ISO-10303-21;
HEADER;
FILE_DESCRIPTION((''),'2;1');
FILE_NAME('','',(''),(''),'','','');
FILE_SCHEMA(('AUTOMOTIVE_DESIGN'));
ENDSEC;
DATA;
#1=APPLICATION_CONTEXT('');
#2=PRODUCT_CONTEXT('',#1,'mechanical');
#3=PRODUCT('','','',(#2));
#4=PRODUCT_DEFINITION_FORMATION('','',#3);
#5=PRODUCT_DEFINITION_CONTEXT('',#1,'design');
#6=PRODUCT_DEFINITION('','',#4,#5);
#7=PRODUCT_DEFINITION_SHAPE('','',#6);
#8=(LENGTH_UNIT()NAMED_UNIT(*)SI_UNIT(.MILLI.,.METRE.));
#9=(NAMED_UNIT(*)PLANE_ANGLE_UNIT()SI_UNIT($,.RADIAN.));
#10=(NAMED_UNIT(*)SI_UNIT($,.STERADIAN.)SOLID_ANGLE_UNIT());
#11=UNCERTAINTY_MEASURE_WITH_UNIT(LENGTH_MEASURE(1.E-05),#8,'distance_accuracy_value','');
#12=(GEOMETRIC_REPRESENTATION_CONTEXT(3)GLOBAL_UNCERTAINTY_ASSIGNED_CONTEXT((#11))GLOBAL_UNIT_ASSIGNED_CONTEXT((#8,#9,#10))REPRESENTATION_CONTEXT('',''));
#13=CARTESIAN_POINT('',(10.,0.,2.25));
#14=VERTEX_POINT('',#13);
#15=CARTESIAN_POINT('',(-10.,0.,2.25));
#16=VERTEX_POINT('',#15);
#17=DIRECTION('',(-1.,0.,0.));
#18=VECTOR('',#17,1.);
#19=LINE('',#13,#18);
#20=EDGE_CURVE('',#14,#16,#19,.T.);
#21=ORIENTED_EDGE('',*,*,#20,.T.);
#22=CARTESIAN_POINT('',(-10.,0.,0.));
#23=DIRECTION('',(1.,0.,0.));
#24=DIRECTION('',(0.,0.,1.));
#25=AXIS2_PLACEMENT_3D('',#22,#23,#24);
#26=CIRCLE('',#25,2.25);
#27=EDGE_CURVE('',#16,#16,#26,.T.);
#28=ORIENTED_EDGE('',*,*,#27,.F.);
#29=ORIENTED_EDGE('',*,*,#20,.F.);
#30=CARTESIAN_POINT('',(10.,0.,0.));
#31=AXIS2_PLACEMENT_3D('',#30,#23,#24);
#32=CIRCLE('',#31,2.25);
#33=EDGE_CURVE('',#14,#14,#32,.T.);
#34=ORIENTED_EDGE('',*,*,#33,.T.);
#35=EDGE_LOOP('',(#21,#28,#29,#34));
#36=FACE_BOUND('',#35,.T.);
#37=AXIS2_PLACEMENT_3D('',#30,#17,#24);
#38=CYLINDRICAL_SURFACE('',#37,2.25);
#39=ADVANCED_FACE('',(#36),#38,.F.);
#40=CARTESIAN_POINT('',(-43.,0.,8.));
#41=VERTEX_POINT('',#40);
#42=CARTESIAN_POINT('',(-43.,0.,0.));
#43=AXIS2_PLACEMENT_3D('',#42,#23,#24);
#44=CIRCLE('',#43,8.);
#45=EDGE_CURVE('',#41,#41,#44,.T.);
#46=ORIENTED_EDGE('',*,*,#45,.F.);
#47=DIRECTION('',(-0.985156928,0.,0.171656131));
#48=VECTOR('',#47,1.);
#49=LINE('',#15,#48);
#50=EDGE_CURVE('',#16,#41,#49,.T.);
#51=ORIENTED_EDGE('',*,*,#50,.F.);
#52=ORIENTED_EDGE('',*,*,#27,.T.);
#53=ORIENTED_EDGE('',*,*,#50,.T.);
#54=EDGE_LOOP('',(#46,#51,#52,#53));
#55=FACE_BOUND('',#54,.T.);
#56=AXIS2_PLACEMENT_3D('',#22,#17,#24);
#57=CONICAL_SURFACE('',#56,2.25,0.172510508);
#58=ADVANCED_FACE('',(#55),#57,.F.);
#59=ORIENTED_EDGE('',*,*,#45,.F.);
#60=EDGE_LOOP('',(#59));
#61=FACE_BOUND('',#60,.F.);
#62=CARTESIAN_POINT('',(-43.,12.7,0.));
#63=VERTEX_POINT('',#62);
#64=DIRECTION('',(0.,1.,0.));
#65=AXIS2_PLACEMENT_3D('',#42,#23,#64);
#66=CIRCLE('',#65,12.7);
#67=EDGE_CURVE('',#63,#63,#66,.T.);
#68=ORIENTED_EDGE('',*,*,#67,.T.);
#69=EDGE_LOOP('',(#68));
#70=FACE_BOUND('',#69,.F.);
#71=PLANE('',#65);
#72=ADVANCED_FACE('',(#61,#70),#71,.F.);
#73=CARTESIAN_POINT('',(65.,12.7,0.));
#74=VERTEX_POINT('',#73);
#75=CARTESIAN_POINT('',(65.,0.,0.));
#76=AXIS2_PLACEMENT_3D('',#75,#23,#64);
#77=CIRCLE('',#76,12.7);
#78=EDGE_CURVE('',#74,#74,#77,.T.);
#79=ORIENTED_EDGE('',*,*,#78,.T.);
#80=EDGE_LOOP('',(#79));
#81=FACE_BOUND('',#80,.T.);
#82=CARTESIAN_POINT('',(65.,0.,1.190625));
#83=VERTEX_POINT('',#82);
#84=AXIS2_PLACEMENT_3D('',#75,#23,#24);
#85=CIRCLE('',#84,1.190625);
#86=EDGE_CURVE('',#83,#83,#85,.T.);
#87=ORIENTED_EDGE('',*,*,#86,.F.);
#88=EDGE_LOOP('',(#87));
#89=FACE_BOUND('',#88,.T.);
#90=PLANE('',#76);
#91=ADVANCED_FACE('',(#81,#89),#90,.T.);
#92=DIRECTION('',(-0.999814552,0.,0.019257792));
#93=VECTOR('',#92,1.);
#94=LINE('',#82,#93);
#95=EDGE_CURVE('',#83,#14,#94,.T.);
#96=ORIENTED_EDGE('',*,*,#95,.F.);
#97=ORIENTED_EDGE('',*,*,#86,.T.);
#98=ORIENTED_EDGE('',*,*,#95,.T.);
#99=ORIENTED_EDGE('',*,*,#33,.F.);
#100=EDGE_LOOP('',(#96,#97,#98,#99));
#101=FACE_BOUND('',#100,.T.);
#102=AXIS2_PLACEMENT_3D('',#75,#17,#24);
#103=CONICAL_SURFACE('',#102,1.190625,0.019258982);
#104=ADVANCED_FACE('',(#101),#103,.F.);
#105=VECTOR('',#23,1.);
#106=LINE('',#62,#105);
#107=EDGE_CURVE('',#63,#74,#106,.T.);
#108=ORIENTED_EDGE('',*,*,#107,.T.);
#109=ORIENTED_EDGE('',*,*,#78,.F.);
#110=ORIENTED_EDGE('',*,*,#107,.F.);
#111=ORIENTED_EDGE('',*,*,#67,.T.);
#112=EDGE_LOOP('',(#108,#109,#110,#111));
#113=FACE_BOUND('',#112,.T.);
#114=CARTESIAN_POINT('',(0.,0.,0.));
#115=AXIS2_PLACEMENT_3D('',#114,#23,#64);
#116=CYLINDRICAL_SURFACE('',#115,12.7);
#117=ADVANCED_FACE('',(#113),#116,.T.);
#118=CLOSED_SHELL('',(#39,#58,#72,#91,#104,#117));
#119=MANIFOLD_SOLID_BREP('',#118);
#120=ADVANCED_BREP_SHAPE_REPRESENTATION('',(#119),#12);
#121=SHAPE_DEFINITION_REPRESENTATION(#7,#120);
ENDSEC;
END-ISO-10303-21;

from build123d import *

# Parameters (mm, degrees)
F1_R          = 12.7
F2_DEPTH      = 65
F2_DEPTH_BACK = 43


with BuildPart() as f2:
    # F1 (on Right) → F2 (new body, two sides)
    with BuildSketch(Plane.YZ) as f2_sk:
        Circle(F1_R)
    extrude(amount=F2_DEPTH)
    extrude(f2_sk.sketch, amount=-F2_DEPTH_BACK)

    # F0 (on Front) → F3 (revolve, cut)
    with BuildSketch(Plane.XZ):
        Polygon((-43, 0), (0, 0), (65, 0), (65, 1.190625), (10, 2.25), (0, 2.25), (-10, 2.25), (-43, 8), align=None)
    revolve(axis=Axis((-21.5, 0, 0), (1, 0, 0)), mode=Mode.SUBTRACT)


solid = f2.part
